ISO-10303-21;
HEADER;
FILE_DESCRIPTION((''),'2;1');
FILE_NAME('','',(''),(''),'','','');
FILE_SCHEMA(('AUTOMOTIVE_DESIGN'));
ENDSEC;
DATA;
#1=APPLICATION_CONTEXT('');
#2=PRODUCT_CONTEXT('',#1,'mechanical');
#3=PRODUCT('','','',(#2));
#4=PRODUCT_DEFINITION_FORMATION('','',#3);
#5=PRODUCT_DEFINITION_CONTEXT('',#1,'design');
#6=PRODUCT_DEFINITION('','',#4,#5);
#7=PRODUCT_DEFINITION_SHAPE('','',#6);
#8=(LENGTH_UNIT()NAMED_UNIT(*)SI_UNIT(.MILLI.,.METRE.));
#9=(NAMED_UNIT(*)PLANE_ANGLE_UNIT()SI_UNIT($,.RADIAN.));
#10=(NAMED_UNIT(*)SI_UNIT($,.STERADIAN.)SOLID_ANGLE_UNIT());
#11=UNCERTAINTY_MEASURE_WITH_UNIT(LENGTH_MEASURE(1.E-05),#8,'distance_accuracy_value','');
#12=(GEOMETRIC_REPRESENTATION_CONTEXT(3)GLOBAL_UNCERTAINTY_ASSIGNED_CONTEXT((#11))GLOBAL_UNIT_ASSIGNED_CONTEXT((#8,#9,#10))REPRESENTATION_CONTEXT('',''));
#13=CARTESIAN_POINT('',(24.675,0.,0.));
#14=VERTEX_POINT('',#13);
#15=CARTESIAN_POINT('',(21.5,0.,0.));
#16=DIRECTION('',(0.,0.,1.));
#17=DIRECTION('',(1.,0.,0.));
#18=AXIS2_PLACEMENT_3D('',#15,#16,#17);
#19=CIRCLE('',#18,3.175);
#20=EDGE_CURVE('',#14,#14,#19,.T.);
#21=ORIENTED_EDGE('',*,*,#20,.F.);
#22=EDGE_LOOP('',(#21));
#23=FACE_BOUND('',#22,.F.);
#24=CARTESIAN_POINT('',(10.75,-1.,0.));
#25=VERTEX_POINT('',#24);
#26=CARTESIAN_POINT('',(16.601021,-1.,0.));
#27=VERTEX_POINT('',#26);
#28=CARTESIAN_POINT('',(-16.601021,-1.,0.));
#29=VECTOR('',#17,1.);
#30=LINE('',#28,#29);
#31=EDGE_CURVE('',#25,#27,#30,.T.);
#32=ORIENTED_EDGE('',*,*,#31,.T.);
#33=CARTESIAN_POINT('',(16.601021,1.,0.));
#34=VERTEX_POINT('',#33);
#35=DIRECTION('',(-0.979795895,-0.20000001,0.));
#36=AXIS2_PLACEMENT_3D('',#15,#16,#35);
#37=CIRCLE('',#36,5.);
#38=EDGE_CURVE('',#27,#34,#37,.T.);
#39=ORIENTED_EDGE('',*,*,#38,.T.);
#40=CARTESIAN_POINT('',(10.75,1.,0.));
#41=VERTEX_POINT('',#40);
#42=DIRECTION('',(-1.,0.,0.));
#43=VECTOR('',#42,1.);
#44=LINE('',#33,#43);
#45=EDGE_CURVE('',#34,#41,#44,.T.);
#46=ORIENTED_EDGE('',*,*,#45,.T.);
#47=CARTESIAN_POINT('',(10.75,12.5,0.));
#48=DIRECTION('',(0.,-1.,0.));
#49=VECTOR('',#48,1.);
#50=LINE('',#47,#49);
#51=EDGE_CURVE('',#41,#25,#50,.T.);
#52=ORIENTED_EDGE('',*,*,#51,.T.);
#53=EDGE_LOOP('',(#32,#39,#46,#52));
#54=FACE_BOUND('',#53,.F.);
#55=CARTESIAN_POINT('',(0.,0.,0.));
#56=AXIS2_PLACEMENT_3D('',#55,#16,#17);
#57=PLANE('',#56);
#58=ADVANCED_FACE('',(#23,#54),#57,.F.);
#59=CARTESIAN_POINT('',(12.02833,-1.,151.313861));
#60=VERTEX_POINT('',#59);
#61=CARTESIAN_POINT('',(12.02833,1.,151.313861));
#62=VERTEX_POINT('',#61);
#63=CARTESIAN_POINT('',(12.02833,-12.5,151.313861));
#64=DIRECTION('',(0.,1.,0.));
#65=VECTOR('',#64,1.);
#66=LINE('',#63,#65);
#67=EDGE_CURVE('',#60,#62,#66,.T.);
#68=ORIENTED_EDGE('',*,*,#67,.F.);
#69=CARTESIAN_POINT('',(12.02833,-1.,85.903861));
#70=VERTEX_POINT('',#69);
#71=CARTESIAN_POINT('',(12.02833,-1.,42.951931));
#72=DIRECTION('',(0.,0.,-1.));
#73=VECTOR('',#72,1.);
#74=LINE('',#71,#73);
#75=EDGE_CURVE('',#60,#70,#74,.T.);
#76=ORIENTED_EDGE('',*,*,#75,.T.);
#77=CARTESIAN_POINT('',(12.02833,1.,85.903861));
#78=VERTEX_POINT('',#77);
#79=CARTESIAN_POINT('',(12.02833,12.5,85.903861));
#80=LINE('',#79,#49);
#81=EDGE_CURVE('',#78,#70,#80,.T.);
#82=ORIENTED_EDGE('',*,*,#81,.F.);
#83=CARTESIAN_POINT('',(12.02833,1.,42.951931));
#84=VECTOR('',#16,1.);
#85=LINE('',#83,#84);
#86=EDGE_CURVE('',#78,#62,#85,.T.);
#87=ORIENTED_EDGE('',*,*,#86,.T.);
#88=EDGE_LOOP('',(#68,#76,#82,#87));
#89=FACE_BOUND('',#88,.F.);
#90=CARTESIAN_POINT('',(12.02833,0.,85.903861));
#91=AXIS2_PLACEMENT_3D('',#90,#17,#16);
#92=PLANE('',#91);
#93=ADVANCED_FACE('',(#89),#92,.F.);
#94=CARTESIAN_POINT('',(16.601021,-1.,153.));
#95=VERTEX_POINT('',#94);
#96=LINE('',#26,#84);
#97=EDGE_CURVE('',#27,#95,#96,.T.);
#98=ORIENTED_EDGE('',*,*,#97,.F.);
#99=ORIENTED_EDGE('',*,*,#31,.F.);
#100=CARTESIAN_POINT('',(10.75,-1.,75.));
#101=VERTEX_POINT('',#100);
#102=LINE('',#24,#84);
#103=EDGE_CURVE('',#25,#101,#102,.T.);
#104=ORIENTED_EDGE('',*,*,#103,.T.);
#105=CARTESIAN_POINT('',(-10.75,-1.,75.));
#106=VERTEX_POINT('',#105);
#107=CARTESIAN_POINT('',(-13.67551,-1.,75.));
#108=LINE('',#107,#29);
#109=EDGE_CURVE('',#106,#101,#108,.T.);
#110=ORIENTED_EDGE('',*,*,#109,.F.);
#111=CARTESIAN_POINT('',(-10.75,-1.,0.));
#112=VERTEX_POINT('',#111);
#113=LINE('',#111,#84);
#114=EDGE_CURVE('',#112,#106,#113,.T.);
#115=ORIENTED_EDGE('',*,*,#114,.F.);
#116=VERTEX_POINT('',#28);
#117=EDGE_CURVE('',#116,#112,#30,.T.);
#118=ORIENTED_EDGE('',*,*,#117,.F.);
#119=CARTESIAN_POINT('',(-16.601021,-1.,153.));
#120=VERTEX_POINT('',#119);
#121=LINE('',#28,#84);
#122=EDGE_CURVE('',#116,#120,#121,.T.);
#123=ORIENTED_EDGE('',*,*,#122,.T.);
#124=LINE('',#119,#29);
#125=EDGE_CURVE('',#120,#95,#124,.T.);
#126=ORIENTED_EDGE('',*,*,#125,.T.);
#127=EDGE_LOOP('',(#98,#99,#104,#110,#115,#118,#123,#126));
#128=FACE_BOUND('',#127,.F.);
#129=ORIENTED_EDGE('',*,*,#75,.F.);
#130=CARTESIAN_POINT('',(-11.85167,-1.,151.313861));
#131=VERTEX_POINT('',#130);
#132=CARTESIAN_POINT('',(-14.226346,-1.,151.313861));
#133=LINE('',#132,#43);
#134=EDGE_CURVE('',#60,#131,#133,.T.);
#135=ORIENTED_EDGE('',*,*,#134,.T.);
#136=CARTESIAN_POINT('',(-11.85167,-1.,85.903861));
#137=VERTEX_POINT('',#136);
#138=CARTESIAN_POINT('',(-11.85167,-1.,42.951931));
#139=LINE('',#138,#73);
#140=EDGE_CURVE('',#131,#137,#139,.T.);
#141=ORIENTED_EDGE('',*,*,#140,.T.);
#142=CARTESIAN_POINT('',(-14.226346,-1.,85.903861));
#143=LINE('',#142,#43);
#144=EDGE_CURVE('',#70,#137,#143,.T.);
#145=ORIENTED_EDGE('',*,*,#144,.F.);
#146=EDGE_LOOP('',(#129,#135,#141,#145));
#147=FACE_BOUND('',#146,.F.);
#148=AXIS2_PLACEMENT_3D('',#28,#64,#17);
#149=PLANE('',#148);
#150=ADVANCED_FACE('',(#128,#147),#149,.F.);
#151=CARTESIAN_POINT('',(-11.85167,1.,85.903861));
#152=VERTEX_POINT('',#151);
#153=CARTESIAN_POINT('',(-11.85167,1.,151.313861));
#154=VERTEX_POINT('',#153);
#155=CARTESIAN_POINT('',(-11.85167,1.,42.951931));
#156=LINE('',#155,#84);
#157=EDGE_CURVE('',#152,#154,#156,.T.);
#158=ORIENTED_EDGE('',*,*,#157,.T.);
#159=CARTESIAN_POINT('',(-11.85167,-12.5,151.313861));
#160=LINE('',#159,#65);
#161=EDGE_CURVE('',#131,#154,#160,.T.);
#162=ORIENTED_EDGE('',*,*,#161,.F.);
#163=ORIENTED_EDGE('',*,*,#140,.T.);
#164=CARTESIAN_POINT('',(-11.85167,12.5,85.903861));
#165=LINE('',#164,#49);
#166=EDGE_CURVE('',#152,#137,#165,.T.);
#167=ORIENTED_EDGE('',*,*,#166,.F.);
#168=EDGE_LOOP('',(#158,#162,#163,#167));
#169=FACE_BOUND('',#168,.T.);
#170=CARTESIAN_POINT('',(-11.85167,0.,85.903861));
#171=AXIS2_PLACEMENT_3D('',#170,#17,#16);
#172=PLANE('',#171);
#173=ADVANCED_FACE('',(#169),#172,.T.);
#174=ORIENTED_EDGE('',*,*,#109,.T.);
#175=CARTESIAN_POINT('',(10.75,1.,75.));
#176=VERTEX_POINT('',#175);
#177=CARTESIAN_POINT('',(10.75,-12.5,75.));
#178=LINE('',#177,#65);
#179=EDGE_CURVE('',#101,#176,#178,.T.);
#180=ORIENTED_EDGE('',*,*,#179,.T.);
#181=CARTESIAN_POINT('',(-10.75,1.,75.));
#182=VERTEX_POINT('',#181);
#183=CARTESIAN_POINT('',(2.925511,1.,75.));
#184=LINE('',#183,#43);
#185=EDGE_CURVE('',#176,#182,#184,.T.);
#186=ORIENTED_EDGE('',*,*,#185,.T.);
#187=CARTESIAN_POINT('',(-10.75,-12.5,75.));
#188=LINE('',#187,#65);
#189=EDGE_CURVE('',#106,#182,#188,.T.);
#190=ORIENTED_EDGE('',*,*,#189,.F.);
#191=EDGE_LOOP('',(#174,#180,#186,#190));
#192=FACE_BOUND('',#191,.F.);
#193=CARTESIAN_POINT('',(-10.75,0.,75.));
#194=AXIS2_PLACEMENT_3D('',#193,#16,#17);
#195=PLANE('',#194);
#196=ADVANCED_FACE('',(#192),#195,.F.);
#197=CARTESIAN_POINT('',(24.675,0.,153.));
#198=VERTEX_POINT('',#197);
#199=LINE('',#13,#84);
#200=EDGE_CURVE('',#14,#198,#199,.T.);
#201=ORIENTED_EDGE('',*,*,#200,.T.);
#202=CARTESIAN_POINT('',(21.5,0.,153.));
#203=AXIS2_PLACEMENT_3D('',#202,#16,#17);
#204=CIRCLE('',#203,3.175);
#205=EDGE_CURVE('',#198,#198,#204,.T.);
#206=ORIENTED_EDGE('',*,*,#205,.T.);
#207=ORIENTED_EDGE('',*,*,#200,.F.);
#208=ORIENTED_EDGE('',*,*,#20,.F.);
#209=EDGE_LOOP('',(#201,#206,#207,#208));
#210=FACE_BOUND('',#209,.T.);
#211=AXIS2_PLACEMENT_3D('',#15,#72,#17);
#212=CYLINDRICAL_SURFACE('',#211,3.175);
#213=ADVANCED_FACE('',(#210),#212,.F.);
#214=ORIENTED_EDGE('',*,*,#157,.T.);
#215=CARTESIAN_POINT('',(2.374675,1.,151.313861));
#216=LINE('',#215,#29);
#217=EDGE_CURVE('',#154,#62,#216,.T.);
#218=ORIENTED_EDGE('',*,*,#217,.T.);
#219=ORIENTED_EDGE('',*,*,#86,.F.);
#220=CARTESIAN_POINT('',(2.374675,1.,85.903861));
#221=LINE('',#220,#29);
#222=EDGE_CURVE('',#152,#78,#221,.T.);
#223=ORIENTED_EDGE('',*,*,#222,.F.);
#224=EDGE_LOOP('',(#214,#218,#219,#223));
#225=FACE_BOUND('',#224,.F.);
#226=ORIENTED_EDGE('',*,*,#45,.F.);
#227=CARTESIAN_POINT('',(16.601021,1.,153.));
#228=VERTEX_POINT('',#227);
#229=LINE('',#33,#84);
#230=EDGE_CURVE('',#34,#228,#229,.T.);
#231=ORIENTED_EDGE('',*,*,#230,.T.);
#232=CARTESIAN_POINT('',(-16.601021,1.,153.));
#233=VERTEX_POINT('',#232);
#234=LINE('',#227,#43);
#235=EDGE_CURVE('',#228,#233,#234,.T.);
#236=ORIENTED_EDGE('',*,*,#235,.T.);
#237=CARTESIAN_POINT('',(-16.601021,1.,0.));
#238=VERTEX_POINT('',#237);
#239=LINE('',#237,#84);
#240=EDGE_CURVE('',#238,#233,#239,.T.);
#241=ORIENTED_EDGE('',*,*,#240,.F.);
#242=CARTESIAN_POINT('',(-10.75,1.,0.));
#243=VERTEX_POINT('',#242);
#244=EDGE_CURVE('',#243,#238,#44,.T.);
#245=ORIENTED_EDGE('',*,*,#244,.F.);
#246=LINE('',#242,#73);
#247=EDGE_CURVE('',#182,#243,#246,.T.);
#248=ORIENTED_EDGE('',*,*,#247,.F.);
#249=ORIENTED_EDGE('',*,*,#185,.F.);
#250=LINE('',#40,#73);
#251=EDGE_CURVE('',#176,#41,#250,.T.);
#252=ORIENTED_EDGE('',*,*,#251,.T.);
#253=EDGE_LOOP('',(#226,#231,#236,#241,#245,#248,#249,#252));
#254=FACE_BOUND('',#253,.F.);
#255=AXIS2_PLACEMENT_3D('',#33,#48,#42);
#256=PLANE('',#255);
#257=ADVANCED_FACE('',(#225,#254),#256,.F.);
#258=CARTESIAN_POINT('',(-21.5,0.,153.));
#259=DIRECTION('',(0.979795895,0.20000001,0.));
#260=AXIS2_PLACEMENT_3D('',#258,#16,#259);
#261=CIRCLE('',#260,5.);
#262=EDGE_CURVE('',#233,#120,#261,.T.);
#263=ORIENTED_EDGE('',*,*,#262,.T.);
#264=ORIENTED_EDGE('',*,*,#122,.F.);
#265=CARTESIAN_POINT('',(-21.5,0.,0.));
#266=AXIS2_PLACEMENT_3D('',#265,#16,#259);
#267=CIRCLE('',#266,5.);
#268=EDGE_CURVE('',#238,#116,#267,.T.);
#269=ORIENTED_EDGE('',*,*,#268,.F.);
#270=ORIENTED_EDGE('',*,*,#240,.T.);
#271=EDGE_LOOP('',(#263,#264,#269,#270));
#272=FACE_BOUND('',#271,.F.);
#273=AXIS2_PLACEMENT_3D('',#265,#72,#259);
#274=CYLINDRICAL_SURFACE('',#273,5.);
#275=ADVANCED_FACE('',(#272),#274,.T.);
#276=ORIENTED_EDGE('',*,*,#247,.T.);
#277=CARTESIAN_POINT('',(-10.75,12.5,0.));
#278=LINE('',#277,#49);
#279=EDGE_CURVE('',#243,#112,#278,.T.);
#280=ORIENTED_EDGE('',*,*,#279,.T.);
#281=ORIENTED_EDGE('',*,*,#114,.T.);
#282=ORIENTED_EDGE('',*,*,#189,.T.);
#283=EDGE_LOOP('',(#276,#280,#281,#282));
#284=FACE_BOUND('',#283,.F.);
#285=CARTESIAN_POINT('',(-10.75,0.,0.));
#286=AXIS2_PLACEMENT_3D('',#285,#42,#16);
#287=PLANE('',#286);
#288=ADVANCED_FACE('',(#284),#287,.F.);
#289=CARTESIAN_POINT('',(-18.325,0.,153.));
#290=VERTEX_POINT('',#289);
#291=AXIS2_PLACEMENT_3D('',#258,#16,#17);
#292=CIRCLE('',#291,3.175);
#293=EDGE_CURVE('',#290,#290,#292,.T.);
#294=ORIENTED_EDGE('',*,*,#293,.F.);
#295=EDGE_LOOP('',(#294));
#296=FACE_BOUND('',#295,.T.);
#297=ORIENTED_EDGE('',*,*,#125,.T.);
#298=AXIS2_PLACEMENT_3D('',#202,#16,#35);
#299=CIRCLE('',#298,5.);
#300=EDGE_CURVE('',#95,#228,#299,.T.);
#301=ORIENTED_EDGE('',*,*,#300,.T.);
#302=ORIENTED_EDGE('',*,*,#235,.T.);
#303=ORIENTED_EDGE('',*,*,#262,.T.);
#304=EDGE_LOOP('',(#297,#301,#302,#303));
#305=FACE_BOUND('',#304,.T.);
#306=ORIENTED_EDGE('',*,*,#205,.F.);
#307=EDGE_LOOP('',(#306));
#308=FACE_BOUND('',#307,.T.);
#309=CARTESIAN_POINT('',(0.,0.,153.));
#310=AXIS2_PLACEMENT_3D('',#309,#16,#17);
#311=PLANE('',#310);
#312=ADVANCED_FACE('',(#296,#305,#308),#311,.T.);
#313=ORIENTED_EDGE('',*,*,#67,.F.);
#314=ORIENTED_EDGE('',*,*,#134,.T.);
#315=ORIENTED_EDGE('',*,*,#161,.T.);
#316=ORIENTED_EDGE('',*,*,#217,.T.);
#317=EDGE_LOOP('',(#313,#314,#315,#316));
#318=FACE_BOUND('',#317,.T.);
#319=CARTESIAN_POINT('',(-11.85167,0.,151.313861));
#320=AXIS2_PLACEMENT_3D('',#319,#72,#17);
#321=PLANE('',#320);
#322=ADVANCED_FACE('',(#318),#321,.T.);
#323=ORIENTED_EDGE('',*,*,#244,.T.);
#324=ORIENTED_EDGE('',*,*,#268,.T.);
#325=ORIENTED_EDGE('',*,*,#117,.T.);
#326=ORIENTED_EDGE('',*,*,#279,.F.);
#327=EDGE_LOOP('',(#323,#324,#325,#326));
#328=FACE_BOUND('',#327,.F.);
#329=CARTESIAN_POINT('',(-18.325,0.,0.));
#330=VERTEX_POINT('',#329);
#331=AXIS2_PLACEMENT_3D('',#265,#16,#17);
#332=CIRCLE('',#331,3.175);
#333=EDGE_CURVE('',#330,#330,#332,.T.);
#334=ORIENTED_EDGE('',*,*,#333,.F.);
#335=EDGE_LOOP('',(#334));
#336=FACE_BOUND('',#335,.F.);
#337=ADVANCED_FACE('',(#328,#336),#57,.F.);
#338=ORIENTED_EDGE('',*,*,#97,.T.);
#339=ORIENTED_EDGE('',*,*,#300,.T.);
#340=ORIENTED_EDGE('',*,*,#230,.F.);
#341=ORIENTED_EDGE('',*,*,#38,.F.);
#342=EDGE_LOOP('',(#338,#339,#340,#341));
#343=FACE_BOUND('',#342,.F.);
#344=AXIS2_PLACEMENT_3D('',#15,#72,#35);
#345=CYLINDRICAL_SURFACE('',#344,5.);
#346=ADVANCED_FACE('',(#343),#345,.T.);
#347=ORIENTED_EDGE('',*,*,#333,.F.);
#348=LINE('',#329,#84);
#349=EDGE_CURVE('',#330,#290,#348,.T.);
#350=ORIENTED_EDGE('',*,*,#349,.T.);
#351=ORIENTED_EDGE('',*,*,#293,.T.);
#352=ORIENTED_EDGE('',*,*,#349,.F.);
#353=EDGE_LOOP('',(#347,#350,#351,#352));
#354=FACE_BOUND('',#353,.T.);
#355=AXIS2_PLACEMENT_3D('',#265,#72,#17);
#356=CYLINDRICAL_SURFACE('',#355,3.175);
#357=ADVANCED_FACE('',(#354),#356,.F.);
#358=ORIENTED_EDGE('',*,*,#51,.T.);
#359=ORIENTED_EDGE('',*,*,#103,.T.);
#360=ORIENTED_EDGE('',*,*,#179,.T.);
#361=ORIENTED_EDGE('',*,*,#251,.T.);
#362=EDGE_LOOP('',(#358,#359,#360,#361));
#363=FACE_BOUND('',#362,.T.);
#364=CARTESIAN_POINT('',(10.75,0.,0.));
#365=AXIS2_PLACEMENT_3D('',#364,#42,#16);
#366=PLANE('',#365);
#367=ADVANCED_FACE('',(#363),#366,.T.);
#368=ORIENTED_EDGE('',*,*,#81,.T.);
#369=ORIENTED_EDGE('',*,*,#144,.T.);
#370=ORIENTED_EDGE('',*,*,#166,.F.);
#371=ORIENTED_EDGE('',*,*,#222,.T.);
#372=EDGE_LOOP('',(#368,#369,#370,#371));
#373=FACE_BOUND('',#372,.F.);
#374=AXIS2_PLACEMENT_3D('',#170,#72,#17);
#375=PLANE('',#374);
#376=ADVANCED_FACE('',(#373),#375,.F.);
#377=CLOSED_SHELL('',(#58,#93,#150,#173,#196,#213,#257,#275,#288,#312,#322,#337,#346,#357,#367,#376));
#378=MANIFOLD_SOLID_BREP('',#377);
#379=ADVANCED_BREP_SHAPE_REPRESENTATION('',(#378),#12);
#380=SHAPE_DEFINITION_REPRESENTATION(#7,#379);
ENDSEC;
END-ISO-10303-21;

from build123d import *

# Parameters (mm, degrees)
F0_R     = 3.175
F1_DEPTH = 153
F2_W     = 21.5
F2_H     = 75
F2_W_2   = 23.88
F2_H_2   = 65.41
F3_DEPTH = 12.5


with BuildPart() as f1:
    # F0 (on Top) → F1 (new body)
    with BuildSketch(Plane.XY):
        with BuildLine():
            Line((-16.601021, -1), (16.601021, -1))
            ThreePointArc((16.601021, -1), (26.5, 0), (16.601021, 1))
            Line((16.601021, 1), (-16.601021, 1))
            ThreePointArc((-16.601021, 1), (-26.5, 0), (-16.601021, -1))
        make_face()
        with Locations((-21.5, 0)):
            Circle(F0_R, mode=Mode.SUBTRACT)
        with Locations((21.5, 0)):
            Circle(F0_R, mode=Mode.SUBTRACT)
    extrude(amount=F1_DEPTH)

    # F2 (on Front) → F3 (cut, symmetric)
    with BuildSketch(Plane.XZ):
        with Locations((0, 37.5)):
            Rectangle(F2_W, F2_H)
        with Locations((0.08833, 118.608861)):
            Rectangle(F2_W_2, F2_H_2)
    extrude(amount=F3_DEPTH, both=True, mode=Mode.SUBTRACT)


solid = f1.part
